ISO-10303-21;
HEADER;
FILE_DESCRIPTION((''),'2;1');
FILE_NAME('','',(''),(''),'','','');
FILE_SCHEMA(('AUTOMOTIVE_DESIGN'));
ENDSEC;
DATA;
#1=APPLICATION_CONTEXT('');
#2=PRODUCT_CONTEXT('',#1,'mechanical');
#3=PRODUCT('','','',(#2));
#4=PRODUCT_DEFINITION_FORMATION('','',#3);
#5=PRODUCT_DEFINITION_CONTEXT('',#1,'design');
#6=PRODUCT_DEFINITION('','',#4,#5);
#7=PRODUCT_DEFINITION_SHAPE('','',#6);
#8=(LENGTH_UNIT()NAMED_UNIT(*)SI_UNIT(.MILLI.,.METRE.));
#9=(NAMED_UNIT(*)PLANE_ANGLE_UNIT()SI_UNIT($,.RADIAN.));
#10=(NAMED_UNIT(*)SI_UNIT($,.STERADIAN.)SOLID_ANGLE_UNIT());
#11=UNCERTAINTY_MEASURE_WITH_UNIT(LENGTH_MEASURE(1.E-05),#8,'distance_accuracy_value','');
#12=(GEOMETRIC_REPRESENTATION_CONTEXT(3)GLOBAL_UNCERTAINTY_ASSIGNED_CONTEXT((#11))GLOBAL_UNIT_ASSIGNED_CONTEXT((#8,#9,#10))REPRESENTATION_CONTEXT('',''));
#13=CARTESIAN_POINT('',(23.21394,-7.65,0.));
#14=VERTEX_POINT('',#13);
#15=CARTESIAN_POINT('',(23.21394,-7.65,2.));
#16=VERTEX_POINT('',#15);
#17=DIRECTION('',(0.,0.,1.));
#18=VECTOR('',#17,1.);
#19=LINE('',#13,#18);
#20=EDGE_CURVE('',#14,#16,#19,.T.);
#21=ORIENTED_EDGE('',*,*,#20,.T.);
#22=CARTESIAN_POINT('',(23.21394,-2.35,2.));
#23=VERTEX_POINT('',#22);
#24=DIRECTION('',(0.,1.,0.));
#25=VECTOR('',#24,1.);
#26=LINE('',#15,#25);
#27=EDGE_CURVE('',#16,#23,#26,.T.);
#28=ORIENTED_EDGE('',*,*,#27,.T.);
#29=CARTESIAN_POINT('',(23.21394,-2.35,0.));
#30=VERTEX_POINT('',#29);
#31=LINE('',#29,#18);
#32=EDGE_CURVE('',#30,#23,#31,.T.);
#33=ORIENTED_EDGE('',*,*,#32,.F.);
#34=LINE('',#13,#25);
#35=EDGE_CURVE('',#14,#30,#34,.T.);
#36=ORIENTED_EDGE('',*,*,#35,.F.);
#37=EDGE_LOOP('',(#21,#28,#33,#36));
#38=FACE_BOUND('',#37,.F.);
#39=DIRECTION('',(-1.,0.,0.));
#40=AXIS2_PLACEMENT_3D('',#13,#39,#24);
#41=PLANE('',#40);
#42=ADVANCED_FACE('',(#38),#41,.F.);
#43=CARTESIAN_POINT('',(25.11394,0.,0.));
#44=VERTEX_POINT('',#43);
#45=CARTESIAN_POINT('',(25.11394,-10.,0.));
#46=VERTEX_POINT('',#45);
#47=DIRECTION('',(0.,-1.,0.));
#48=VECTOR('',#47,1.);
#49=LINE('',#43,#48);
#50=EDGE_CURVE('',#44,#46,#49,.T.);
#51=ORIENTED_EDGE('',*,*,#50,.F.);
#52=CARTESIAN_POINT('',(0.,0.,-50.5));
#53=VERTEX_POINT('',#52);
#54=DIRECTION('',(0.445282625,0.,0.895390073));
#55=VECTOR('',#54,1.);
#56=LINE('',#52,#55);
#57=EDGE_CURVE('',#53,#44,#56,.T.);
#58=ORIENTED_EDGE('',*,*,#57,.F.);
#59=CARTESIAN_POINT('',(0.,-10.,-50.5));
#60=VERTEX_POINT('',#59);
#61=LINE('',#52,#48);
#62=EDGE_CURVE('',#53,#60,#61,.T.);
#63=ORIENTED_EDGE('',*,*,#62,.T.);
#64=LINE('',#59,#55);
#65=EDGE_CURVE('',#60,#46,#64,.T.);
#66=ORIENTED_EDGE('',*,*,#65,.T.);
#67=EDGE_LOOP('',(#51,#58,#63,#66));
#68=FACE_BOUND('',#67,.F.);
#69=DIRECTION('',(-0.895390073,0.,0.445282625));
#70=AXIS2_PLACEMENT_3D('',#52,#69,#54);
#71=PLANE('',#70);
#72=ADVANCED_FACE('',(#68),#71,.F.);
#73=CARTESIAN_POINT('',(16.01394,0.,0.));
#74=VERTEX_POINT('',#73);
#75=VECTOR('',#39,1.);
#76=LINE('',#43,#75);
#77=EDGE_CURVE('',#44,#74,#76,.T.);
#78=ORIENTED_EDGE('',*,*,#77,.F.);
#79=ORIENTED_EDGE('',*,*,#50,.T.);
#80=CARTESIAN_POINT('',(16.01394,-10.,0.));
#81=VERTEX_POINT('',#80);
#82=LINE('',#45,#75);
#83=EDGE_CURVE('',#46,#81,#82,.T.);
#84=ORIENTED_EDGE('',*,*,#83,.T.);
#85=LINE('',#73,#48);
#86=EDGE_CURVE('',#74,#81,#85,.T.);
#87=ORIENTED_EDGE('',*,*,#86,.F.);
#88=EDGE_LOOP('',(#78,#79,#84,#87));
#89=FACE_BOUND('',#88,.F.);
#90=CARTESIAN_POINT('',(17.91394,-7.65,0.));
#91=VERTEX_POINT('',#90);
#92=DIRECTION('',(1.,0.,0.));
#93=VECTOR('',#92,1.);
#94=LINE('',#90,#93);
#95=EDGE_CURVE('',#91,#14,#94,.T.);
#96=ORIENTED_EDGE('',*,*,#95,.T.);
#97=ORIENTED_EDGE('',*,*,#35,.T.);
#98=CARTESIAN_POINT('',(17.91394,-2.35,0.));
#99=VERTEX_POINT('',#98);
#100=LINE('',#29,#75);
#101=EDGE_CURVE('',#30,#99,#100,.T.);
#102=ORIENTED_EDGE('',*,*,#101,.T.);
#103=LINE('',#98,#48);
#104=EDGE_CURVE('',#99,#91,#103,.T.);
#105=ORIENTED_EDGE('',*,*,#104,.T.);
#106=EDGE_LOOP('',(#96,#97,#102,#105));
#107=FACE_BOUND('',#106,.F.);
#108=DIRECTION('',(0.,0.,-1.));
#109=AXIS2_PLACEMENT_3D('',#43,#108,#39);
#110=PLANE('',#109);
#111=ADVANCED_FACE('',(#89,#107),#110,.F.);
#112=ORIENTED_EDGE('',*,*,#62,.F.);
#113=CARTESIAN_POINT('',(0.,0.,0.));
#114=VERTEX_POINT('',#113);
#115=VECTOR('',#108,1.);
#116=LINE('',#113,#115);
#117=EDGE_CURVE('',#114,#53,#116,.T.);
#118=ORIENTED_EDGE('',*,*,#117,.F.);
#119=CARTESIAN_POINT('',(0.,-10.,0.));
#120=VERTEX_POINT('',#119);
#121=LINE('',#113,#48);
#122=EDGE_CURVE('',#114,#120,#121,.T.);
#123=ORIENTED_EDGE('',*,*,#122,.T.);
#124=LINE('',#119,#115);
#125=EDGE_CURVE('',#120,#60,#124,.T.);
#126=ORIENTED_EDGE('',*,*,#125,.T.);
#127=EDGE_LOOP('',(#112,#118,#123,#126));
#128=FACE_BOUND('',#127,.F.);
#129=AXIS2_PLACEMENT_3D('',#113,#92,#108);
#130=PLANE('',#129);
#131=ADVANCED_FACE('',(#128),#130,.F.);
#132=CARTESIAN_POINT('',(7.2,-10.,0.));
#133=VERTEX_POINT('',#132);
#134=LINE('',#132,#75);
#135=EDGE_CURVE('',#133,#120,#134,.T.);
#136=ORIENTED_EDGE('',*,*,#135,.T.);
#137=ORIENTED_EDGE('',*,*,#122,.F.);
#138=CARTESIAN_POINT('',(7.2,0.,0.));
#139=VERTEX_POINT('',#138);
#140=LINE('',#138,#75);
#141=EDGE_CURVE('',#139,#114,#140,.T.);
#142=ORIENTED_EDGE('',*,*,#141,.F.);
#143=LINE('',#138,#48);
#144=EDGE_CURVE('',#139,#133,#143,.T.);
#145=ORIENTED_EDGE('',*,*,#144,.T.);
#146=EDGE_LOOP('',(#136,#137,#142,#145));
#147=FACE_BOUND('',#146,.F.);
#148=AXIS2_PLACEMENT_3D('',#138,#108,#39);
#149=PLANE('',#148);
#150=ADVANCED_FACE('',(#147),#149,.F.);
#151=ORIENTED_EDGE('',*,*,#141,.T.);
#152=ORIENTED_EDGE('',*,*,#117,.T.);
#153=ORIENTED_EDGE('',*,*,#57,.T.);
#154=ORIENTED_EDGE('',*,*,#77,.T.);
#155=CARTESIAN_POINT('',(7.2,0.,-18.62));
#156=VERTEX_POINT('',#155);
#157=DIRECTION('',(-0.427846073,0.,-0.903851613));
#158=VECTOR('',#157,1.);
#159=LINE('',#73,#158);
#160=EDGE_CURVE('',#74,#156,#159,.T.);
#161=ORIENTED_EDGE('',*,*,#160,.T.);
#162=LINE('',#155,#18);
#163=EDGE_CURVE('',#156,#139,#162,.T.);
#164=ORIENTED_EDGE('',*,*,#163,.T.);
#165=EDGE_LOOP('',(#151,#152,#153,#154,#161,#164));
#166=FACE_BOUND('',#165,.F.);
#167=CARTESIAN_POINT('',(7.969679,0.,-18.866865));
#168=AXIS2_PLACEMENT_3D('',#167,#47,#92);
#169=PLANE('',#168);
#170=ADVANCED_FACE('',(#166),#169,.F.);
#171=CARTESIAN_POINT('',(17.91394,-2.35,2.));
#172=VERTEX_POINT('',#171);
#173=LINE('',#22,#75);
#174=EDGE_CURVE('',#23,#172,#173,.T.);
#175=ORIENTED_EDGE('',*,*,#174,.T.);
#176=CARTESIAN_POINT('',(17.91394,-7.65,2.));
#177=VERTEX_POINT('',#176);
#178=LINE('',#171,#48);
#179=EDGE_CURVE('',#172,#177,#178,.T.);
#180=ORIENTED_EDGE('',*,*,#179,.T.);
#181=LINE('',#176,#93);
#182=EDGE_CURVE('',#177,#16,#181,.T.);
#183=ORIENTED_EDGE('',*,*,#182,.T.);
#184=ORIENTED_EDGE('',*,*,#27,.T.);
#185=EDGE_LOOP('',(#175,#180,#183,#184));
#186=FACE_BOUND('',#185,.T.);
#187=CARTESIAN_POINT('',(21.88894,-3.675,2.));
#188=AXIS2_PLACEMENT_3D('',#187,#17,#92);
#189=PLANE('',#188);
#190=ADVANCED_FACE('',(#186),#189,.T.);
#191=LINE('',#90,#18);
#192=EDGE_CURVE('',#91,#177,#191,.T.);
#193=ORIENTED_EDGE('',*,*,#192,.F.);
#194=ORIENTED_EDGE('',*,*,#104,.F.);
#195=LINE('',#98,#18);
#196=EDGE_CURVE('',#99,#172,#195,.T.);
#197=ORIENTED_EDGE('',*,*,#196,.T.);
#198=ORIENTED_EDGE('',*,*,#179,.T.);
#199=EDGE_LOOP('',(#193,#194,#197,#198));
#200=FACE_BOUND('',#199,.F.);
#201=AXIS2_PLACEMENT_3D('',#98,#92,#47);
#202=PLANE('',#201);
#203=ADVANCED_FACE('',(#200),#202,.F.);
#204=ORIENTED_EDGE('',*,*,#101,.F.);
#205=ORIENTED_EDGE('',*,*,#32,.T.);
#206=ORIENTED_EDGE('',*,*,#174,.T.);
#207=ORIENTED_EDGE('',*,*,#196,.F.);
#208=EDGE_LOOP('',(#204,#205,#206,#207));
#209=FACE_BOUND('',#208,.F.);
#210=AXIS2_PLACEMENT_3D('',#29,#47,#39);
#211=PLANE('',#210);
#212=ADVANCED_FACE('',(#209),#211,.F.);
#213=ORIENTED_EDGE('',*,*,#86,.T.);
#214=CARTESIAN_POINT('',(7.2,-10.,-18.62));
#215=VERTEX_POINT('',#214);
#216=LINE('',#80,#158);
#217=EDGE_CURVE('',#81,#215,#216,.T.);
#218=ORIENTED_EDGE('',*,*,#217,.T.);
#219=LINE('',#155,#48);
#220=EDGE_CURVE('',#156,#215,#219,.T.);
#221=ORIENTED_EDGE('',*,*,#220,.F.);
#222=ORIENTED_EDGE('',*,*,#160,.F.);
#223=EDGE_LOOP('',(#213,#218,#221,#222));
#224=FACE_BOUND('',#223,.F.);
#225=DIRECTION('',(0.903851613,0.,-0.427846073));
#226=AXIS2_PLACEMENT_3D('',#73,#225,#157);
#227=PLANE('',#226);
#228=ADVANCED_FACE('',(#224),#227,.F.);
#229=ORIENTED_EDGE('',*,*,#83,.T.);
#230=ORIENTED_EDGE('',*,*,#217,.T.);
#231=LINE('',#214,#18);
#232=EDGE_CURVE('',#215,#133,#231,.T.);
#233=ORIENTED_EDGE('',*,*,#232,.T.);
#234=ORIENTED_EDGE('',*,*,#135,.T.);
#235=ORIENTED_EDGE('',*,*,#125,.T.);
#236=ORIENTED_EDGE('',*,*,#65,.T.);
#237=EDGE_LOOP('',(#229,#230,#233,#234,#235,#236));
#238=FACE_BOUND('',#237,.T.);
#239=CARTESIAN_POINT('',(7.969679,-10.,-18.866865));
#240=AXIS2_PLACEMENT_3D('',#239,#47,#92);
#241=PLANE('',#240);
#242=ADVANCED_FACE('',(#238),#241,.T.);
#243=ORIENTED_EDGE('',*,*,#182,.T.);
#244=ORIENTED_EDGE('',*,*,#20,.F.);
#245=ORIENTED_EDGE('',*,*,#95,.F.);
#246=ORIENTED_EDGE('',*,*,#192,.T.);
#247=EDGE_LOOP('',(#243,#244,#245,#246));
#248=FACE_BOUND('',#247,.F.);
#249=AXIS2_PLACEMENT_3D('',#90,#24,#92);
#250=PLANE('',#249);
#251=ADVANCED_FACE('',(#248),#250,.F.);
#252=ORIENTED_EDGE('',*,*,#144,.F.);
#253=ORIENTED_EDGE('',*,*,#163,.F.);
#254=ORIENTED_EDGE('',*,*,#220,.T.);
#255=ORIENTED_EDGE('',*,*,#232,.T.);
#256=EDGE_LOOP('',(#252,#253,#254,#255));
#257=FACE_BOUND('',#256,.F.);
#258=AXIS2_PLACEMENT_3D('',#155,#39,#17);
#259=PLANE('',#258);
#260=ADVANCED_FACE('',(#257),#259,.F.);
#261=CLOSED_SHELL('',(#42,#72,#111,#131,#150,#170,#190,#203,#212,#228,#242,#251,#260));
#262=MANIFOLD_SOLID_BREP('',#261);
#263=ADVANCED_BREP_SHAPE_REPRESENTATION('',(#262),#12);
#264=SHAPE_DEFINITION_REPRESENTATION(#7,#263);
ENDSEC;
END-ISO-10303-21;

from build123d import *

# Parameters (mm, degrees)
F1_DEPTH = 10
F2_W     = 2.65
F2_H     = 2.65
F3_DEPTH = 2


with BuildPart() as f1:
    # F0 (on Front) → F1 (new body)
    with BuildSketch(Plane.XZ):
        Polygon((7.2, 0), (0, 0), (0, -50.5), (25.11394, 0), (16.01394, 0), (7.2, -18.62), align=None)
    extrude(amount=F1_DEPTH)

    # F2 (on face) → F3 (join)
    with BuildSketch(Plane.XY):
        with Locations((21.88894, -3.675)):
            Rectangle(F2_W, F2_H)
        with Locations((19.23894, -3.675)):
            Rectangle(F2_W, F2_H)
        with Locations((21.88894, -6.325)):
            Rectangle(F2_W, F2_H)
        with Locations((19.23894, -6.325)):
            Rectangle(F2_W, F2_H)
    extrude(amount=F3_DEPTH)


solid = f1.part
